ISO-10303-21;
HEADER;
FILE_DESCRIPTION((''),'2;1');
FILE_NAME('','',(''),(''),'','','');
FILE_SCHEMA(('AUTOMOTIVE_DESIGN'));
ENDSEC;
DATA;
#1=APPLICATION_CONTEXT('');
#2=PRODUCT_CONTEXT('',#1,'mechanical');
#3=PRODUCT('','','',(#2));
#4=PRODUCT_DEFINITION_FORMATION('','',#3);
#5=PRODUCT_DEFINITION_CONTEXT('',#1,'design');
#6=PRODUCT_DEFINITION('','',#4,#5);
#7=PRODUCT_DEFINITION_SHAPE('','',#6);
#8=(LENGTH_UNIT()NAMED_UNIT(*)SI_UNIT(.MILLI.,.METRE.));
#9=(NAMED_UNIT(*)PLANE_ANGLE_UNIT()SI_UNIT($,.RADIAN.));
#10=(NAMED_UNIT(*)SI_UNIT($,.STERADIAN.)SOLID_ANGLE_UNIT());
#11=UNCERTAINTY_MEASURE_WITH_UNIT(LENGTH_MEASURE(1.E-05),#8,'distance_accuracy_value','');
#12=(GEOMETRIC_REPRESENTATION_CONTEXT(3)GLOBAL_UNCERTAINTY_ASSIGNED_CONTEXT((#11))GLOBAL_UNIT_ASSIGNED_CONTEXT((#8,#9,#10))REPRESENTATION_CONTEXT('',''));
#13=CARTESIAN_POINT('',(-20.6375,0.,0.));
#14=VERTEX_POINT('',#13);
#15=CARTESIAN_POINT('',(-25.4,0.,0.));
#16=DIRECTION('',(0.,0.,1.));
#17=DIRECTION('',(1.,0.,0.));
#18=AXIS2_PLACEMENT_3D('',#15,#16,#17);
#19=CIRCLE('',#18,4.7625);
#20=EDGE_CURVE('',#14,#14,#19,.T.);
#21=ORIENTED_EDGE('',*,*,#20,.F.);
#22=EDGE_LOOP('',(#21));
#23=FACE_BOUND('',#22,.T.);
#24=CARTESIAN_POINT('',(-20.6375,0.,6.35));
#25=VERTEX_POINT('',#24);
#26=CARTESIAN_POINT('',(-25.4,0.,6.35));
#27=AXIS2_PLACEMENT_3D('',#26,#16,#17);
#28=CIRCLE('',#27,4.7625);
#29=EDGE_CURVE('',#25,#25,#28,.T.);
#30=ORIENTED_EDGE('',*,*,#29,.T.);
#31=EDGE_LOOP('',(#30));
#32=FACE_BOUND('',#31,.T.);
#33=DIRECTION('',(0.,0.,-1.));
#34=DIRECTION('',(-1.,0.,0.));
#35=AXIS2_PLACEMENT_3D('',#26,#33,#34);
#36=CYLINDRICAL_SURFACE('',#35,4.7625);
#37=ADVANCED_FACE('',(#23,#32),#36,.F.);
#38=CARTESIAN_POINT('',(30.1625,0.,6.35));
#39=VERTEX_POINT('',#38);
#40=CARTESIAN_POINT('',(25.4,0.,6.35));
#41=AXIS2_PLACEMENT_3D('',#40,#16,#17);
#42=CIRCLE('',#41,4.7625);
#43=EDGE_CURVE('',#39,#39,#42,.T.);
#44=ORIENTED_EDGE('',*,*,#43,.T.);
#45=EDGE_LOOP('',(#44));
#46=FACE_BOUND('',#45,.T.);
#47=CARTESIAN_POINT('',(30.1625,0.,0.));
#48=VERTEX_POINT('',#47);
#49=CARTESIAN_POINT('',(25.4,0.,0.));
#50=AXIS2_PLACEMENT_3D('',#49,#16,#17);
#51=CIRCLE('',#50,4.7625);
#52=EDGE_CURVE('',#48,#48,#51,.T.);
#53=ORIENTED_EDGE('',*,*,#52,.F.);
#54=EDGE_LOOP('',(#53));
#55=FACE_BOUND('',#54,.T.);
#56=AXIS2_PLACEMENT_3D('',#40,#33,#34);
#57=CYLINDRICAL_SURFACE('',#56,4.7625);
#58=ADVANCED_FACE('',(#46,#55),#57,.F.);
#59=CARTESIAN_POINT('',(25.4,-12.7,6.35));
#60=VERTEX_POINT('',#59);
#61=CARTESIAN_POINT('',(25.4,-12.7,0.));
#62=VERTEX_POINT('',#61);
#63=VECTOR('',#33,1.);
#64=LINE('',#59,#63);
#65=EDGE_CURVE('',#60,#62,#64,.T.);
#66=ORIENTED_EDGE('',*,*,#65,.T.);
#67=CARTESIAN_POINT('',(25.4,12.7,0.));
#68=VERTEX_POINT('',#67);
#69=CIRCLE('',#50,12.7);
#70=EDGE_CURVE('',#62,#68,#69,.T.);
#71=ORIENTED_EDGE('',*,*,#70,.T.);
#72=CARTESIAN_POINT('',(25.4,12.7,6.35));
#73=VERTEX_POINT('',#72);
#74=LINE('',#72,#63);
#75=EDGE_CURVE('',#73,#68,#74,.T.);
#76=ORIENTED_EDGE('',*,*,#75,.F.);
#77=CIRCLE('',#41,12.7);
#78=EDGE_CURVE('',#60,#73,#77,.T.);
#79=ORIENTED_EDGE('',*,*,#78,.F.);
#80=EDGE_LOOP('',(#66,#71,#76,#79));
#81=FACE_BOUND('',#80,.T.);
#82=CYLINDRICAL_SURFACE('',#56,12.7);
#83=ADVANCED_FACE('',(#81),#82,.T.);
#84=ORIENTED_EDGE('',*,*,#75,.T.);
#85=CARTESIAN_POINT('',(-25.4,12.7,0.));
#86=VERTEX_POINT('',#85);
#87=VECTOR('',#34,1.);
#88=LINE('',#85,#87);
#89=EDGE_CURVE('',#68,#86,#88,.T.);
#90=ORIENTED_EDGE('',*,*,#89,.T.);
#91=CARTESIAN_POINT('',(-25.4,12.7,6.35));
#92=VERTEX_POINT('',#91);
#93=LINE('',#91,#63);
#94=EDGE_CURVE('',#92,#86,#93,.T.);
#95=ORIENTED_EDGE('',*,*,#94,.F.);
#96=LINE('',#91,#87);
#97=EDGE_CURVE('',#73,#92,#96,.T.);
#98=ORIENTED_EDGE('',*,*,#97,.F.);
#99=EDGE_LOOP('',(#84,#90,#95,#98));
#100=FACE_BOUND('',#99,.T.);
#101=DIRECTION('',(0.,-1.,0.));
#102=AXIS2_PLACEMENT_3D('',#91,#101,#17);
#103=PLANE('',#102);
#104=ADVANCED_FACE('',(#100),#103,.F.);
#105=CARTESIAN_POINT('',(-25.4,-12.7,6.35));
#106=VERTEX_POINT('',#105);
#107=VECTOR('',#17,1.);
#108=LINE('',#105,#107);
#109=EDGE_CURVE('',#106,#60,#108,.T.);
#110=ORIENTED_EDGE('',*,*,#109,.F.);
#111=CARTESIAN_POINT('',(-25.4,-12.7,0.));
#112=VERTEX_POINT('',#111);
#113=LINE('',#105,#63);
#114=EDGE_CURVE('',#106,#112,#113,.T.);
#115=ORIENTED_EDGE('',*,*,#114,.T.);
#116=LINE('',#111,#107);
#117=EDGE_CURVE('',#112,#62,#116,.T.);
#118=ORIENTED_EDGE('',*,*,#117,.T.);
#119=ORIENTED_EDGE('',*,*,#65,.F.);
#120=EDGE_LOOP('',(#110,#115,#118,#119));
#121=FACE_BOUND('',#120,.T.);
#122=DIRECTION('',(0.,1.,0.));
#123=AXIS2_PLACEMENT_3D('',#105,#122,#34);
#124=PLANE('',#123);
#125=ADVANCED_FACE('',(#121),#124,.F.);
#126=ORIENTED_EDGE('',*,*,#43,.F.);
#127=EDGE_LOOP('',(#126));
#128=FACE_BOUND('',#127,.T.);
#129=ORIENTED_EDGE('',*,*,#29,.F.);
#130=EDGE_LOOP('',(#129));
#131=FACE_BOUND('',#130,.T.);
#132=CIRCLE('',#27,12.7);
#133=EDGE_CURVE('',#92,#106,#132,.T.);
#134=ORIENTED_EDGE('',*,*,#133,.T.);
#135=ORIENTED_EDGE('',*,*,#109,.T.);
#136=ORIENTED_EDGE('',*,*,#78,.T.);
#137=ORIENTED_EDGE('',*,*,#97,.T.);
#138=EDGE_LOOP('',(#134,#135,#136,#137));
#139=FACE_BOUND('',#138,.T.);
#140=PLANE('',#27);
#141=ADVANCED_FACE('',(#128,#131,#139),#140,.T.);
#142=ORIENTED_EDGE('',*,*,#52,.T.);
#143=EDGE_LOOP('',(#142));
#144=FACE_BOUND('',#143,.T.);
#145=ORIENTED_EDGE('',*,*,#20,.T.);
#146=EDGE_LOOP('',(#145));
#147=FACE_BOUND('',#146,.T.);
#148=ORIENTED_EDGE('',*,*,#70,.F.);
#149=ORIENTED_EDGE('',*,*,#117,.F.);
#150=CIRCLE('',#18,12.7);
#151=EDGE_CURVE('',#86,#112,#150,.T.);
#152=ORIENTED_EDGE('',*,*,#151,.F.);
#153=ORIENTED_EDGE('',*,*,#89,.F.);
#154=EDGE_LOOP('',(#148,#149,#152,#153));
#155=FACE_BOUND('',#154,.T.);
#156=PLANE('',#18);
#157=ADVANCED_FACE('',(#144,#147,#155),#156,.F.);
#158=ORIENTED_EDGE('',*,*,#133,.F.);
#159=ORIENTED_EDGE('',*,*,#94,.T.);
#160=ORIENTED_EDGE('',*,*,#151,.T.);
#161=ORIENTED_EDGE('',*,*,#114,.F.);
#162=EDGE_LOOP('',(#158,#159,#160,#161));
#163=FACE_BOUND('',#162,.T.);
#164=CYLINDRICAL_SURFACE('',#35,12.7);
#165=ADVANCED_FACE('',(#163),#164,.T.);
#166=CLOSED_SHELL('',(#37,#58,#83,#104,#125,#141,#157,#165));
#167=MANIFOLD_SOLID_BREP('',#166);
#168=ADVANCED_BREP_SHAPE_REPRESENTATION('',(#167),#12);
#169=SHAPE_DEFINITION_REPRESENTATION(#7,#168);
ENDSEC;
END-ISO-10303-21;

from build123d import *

# Parameters (mm, degrees)
SKETCH1_R           = 4.7625
BOSS_EXTRUDE1_DEPTH = 6.35


with BuildPart() as part:
    # Sketch1 → Boss-Extrude1 (new body)
    with BuildSketch(Plane.XY):
        with BuildLine():
            Line((-25.4, 12.7), (25.4, 12.7))
            ThreePointArc((25.4, 12.7), (38.1, 0), (25.4, -12.7))
            Line((25.4, -12.7), (-25.4, -12.7))
            ThreePointArc((-25.4, -12.7), (-38.1, 0), (-25.4, 12.7))
        make_face()
        with Locations((-25.4, 0)):
            Circle(SKETCH1_R, mode=Mode.SUBTRACT)
        with Locations((25.4, 0)):
            Circle(SKETCH1_R, mode=Mode.SUBTRACT)
    extrude(amount=BOSS_EXTRUDE1_DEPTH)


solid = part.part
